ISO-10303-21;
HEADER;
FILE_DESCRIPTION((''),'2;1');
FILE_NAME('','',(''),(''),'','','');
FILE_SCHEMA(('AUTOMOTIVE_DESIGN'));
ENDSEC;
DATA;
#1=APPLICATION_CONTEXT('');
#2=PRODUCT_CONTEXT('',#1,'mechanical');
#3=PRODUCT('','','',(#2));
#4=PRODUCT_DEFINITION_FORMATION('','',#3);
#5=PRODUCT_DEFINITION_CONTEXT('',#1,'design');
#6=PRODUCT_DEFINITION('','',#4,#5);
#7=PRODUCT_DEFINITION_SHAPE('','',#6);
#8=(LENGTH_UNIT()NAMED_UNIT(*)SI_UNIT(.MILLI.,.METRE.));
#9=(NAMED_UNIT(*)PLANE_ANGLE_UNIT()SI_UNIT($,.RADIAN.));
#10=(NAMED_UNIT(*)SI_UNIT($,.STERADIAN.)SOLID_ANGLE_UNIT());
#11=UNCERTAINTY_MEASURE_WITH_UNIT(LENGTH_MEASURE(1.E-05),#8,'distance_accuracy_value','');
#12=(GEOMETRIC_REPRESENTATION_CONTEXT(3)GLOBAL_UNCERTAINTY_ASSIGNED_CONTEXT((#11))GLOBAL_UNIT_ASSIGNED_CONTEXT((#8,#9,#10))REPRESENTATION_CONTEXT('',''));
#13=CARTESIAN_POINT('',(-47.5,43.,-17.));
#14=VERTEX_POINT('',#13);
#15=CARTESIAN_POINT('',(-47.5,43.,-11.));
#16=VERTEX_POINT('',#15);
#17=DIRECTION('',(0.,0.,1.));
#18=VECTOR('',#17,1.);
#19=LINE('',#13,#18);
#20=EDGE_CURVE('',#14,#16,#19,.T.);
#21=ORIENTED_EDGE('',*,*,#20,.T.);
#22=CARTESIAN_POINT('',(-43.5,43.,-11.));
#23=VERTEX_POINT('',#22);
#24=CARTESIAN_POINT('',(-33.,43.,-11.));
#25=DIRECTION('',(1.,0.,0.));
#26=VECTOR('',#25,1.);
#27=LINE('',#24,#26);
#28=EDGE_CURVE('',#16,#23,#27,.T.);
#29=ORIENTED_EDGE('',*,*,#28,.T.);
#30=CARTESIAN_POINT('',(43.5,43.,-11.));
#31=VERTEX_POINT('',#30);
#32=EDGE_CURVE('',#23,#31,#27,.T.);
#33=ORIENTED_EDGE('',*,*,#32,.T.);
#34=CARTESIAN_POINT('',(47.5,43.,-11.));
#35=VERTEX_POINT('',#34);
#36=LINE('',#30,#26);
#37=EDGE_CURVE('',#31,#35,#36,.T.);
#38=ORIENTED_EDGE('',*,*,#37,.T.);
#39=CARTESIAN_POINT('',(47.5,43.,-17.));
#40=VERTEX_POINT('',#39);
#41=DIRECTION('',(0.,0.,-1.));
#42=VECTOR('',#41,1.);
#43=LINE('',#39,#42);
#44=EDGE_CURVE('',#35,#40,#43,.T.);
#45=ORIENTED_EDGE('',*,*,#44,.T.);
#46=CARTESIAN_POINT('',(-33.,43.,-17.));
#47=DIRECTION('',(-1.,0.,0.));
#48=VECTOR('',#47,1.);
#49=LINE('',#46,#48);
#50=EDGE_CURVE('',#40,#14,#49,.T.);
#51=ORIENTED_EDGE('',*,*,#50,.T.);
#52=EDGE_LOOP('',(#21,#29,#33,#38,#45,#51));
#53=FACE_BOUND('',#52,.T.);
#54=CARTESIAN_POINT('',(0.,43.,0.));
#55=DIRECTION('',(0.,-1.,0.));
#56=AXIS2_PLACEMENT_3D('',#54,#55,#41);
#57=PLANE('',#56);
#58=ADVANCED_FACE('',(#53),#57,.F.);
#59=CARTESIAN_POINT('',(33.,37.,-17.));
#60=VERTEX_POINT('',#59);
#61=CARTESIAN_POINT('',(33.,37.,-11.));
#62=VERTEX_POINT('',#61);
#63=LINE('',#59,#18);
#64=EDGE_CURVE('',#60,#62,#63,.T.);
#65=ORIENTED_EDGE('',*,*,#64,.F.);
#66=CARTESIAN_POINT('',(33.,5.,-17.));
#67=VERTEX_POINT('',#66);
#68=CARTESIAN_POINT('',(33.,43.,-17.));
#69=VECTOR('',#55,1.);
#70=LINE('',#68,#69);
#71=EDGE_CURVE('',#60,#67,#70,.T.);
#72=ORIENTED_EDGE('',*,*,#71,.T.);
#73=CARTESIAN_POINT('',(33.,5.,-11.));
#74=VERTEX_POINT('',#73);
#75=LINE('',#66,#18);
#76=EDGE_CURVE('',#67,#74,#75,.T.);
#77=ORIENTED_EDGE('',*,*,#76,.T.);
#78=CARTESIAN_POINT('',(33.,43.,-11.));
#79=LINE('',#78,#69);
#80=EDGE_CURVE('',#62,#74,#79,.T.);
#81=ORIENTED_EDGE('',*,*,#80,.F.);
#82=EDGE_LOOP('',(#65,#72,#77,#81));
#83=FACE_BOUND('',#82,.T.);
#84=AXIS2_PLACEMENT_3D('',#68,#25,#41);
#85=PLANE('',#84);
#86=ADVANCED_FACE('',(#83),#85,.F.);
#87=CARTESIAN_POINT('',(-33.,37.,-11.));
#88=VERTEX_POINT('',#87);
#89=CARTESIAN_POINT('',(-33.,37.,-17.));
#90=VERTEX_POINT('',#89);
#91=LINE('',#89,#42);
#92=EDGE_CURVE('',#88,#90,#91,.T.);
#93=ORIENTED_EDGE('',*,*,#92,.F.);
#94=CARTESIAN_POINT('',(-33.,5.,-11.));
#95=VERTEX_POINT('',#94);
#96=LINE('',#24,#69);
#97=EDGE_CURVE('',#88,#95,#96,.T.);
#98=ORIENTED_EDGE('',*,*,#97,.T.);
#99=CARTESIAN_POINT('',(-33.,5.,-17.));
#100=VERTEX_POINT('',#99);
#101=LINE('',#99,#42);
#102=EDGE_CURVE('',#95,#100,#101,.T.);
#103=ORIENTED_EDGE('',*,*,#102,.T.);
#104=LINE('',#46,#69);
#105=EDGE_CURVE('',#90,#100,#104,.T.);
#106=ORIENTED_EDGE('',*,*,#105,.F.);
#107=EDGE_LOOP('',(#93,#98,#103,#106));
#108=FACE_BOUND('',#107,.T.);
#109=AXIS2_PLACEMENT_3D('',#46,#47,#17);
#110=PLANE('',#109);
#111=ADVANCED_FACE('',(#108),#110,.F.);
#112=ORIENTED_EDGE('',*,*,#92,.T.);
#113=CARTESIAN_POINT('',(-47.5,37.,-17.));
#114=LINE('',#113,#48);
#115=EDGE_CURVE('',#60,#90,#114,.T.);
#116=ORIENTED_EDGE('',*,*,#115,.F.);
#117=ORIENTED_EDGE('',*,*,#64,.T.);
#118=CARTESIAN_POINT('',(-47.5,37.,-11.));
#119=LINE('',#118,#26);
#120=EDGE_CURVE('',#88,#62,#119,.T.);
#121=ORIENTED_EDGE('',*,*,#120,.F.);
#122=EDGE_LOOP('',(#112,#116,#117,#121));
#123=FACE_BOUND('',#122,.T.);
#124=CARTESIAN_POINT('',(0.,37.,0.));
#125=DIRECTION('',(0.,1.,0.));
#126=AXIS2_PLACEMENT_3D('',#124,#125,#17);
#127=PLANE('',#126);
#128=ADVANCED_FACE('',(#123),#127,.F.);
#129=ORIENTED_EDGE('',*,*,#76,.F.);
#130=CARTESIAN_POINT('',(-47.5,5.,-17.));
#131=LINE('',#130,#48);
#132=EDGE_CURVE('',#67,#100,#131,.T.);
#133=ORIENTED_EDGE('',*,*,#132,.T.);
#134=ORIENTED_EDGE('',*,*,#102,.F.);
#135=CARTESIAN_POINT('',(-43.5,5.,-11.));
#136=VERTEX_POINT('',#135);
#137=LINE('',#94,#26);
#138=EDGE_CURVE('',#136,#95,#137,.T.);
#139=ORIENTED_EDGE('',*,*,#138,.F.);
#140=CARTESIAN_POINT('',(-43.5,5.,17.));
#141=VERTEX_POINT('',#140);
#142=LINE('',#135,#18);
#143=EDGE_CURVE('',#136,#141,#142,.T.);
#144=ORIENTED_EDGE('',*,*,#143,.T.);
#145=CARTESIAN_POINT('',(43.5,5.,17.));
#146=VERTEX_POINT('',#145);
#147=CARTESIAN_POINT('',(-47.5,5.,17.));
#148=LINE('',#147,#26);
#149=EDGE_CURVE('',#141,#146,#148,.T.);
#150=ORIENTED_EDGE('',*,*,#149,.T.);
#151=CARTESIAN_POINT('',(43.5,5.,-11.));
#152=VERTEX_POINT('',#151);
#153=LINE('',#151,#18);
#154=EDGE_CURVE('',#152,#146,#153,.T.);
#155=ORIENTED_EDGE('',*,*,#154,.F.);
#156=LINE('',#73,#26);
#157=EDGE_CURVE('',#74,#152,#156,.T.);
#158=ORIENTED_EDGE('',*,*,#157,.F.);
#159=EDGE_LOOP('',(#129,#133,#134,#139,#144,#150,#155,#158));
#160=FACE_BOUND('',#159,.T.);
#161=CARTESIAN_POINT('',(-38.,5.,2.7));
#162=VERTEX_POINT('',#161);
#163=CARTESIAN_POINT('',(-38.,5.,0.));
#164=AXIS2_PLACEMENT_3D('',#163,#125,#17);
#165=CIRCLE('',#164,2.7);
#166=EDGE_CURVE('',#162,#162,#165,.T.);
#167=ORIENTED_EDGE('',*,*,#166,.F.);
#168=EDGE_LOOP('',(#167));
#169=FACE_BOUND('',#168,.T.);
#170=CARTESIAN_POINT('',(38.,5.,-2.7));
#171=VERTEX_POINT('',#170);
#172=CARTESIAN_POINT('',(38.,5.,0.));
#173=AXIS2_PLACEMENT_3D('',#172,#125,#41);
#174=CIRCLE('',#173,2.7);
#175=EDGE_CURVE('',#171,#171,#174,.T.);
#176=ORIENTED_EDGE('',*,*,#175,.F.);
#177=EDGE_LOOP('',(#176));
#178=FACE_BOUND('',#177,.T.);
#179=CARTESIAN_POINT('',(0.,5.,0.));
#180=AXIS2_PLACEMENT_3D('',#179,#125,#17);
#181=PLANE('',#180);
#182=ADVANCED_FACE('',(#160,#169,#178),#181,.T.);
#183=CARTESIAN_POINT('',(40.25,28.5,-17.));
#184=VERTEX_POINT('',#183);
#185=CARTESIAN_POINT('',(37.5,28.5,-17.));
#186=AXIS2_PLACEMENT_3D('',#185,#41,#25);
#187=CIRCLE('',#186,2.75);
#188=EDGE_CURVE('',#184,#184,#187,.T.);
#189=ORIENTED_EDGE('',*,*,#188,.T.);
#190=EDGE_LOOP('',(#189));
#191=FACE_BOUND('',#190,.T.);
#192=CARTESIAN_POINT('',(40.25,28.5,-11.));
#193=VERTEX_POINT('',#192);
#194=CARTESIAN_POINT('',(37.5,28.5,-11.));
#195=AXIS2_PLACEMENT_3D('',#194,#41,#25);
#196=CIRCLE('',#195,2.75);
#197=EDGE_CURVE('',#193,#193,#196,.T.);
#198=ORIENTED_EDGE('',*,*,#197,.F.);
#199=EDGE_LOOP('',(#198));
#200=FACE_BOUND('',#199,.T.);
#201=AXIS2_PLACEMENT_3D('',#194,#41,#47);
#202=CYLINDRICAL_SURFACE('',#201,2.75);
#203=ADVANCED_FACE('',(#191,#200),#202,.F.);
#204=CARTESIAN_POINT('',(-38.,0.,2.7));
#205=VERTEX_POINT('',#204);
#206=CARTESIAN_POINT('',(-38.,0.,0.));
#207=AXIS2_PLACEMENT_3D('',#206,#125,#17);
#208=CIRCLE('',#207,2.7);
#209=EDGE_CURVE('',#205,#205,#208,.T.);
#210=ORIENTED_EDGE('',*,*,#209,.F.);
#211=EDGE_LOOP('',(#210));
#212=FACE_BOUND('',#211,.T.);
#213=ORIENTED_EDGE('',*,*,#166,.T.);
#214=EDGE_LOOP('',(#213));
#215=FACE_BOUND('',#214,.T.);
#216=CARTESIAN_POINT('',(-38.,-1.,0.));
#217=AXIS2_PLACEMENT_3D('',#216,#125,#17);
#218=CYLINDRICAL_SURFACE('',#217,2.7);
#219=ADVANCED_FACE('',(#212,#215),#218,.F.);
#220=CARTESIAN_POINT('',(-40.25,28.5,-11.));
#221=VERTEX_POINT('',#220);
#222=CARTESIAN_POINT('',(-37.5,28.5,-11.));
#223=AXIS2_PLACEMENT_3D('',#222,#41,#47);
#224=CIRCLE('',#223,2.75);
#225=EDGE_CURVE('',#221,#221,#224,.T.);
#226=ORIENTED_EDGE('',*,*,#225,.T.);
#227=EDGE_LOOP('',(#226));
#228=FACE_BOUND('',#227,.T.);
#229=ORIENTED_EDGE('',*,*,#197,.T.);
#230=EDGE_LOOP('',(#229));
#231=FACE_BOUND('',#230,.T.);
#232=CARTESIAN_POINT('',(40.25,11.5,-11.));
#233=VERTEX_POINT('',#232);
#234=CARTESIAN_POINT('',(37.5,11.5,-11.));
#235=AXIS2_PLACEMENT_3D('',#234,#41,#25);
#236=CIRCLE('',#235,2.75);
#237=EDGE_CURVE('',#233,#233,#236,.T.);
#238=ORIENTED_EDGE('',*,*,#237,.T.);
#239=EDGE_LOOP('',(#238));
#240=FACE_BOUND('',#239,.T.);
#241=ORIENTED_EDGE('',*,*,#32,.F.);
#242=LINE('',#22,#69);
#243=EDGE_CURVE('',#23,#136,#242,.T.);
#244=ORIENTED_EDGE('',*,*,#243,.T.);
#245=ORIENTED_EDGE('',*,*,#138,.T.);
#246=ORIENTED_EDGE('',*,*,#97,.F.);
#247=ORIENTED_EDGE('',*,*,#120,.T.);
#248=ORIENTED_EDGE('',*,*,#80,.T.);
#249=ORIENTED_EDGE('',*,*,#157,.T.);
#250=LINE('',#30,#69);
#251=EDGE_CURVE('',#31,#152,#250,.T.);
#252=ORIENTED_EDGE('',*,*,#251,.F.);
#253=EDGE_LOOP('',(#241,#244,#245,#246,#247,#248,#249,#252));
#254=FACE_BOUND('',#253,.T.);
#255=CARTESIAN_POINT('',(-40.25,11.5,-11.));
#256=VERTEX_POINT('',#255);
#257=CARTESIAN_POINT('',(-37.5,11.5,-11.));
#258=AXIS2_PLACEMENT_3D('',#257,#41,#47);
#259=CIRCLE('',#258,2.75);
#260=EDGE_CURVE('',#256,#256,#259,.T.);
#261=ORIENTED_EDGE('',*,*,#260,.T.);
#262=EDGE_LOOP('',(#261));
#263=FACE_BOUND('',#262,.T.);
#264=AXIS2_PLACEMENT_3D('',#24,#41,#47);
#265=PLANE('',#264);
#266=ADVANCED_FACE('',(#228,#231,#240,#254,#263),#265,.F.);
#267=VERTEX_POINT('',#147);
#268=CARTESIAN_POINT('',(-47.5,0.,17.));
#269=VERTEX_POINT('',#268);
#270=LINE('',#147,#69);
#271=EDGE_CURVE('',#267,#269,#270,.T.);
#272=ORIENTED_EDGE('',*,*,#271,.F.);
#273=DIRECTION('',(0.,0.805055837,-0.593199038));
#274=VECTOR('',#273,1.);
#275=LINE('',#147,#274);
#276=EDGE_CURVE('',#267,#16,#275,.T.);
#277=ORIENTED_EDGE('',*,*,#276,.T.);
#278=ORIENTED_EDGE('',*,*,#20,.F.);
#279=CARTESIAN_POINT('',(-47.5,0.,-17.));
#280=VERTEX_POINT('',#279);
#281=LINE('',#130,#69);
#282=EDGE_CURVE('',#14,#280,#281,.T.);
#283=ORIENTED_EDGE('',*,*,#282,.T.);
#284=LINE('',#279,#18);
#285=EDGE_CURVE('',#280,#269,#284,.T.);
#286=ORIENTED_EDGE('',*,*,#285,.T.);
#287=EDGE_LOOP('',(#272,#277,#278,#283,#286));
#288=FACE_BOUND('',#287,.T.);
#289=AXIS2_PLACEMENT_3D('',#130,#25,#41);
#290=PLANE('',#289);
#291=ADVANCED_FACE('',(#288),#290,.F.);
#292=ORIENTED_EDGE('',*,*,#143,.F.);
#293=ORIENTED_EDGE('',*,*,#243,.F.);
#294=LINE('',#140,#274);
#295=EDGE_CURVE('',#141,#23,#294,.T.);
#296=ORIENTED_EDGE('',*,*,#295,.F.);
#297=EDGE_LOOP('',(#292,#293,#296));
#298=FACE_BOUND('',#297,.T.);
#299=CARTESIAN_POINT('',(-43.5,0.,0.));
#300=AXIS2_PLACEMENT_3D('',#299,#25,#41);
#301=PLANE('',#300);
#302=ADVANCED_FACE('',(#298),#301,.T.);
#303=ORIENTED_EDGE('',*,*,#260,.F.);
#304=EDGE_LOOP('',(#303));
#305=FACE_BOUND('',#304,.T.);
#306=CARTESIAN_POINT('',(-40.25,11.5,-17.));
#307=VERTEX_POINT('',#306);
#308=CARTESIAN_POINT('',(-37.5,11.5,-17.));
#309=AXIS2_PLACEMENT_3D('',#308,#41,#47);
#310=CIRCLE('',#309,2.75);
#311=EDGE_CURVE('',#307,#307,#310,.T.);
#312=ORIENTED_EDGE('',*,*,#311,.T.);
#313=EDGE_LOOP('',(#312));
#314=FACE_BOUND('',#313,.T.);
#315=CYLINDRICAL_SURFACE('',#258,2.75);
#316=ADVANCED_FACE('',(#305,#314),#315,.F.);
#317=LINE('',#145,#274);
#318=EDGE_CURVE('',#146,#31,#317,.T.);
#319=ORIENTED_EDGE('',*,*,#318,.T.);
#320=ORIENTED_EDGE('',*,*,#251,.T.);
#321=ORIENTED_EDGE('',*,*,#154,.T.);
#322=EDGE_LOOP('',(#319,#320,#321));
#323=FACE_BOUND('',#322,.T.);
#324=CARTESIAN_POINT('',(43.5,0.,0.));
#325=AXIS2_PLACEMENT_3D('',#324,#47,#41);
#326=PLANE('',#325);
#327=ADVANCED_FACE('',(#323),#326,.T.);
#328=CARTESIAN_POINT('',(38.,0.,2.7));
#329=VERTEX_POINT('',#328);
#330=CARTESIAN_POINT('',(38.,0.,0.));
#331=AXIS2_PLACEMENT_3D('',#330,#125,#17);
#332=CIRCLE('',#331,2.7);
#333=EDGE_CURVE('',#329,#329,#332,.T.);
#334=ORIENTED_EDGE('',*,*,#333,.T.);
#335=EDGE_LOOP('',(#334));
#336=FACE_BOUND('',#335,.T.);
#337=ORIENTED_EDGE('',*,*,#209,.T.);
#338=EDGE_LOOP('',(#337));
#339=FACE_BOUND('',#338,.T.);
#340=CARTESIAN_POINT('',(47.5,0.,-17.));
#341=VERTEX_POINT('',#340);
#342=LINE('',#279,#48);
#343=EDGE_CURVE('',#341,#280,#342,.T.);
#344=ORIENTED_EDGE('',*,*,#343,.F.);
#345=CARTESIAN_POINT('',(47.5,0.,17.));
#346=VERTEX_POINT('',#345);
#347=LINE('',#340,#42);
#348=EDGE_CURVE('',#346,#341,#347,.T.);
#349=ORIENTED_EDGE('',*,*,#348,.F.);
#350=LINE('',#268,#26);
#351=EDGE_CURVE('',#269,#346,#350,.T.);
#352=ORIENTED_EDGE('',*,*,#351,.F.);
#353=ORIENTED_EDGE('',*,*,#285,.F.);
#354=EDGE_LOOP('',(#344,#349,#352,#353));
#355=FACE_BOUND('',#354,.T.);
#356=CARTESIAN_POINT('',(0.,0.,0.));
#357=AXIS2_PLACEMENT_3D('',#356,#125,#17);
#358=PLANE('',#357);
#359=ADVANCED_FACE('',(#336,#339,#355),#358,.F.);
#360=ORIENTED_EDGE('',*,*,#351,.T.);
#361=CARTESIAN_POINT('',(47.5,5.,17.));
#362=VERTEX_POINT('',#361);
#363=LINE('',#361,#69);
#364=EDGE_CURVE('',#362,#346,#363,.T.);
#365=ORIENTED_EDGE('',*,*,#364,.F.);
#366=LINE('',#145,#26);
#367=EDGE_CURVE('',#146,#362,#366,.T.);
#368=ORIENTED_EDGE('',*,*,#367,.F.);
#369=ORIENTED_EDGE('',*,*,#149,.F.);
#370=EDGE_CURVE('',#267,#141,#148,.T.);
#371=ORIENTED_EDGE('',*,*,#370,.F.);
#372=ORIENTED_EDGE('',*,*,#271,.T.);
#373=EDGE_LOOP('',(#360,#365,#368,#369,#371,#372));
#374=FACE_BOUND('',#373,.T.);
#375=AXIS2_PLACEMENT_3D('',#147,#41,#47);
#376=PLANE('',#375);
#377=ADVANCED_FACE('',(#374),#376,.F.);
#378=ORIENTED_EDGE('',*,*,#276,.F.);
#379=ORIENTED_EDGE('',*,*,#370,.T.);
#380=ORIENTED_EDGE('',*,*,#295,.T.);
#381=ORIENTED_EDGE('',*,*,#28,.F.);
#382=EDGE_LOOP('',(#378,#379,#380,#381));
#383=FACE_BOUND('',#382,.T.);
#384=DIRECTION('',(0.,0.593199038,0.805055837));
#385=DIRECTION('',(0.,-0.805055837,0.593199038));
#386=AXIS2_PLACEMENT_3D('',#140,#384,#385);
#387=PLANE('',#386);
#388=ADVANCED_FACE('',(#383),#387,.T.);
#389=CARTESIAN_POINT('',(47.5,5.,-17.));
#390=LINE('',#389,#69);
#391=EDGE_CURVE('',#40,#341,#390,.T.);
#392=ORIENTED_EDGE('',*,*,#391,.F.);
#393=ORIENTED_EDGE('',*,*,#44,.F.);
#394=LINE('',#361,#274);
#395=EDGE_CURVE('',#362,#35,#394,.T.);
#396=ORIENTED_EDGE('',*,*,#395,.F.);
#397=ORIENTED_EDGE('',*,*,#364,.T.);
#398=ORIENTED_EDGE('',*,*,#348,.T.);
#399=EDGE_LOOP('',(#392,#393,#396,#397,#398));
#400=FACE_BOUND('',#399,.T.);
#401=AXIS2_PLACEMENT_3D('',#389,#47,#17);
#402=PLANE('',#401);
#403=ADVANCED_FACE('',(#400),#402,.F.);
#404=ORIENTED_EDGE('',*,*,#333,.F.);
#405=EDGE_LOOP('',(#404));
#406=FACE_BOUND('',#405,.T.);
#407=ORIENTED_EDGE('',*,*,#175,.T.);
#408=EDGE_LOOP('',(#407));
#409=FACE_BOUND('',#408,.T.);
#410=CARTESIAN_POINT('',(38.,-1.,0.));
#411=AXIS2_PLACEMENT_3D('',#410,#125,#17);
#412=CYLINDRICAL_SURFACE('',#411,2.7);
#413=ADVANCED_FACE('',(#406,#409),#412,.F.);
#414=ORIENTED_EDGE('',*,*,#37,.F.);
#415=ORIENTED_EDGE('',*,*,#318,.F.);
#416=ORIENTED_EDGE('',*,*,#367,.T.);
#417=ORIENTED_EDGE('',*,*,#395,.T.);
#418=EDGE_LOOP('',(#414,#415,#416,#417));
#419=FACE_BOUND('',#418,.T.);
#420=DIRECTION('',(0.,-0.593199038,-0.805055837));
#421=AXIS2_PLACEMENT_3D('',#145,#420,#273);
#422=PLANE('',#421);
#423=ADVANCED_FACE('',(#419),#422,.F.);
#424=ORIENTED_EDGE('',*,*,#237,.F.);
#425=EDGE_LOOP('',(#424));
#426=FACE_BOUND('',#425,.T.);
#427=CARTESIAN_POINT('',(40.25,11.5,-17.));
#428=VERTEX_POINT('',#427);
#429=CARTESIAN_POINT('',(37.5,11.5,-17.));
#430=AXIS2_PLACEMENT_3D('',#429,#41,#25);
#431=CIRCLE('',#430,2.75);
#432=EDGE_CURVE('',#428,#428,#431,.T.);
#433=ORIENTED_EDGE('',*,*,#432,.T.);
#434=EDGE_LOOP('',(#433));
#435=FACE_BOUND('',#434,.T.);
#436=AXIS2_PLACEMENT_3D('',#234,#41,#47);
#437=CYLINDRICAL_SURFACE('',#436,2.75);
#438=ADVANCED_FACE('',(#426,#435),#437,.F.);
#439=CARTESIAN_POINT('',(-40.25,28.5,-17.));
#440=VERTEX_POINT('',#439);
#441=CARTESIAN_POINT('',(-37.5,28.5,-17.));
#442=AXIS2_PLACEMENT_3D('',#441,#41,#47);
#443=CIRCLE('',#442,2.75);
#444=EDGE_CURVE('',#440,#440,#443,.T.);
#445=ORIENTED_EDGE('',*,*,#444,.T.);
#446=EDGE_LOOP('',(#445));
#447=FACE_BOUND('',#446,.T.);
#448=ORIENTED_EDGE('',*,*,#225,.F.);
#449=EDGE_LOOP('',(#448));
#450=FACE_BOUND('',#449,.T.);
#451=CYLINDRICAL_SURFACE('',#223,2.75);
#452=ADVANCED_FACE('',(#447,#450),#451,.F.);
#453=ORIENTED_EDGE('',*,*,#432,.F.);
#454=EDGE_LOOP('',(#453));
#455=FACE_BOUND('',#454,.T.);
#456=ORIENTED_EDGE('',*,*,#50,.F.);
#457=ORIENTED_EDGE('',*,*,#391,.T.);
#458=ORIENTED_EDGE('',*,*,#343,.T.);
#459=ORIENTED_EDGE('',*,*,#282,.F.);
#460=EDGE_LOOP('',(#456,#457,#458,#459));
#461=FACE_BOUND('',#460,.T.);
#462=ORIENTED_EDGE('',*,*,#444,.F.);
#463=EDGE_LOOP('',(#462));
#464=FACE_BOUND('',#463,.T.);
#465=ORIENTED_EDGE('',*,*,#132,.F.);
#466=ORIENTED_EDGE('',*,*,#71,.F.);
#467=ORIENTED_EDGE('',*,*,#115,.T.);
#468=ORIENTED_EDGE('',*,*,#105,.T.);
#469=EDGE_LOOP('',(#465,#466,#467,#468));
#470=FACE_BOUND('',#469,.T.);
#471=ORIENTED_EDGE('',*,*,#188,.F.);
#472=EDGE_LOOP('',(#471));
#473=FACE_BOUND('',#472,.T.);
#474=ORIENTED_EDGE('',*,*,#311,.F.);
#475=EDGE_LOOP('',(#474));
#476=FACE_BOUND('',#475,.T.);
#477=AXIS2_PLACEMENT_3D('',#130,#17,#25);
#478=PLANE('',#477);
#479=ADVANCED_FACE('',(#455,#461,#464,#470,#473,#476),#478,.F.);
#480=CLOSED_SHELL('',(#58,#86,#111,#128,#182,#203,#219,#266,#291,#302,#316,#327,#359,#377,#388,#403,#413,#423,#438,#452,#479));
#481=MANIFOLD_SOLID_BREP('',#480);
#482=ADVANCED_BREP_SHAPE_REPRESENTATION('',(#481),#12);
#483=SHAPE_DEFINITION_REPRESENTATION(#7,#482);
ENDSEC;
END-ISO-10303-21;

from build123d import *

# Parameters (mm, degrees)
SKETCH1_W           = 95
SKETCH1_H           = 34
BOSS_EXTRUDE1_DEPTH = 5
SKETCH2_W           = 14.5
SKETCH2_H           = 6
BOSS_EXTRUDE2_DEPTH = 38
SKETCH3_W           = 95
SKETCH3_H           = 6
BOSS_EXTRUDE3_DEPTH = 6
SKETCH4_R           = 2.75
CUT_EXTRUDE1_DEPTH  = 6
SKETCH6_R           = 2.7
CUT_EXTRUDE2_DEPTH  = 6
BOSS_EXTRUDE4_DEPTH = 4


with BuildPart() as part:
    # Sketch1 → Boss-Extrude1 (new body)
    with BuildSketch(Plane(origin=(0, 0, 0), x_dir=(1, 0, 0), z_dir=(0, 1, 0))):
        Rectangle(SKETCH1_W, SKETCH1_H)
    extrude(amount=BOSS_EXTRUDE1_DEPTH)

    # Sketch2 → Boss-Extrude2 (add)
    with BuildSketch(Plane(origin=(0, 5, 0), x_dir=(1, 0, 0), z_dir=(0, 1, 0))):
        with Locations((-40.25, 14)):
            Rectangle(SKETCH2_W, SKETCH2_H)
        with Locations((40.25, 14)):
            Rectangle(SKETCH2_W, SKETCH2_H)
    extrude(amount=BOSS_EXTRUDE2_DEPTH)

    # Sketch3 → Boss-Extrude3 (add)
    with BuildSketch(Plane(origin=(0, 43, 0), x_dir=(1, 0, 0), z_dir=(0, 1, 0))):
        with Locations((0, 14)):
            Rectangle(SKETCH3_W, SKETCH3_H)
    extrude(amount=-BOSS_EXTRUDE3_DEPTH)

    # Sketch4 → Cut-Extrude1 (cut)
    with BuildSketch(Plane(origin=(0, 0, -17), x_dir=(-1, 0, 0), z_dir=(0, 0, -1))):
        with Locations((37.5, 11.5)):
            Circle(SKETCH4_R)
        with Locations((37.5, 28.5)):
            Circle(SKETCH4_R)
        with Locations(Location((-37.5, 28.5, 0), (0, 0, 180))):
            Circle(SKETCH4_R)
        with Locations(Location((-37.5, 11.5, 0), (0, 0, 180))):
            Circle(SKETCH4_R)
    extrude(amount=-CUT_EXTRUDE1_DEPTH, mode=Mode.SUBTRACT)

    # Sketch6 → Cut-Extrude2 (cut)
    with BuildSketch(Plane(origin=(0, 5, 0), x_dir=(1, 0, 0), z_dir=(0, 1, 0))):
        with Locations(Location((-38, 0, 0), (0, 0, 270))):
            Circle(SKETCH6_R)
        with Locations(Location((38, 0, 0), (0, 0, 270))):
            Circle(SKETCH6_R)
    extrude(amount=-CUT_EXTRUDE2_DEPTH, mode=Mode.SUBTRACT)

    # Sketch7 → Boss-Extrude4 (add)
    with BuildSketch(Plane.ZY.offset(47.5)):
        Polygon((17, 5), (-11, 43), (-11, 5), align=None)
    boss_extrude4 = extrude(amount=-BOSS_EXTRUDE4_DEPTH)

    # Mirror1: Boss-Extrude4 across plane
    add(boss_extrude4.mirror(Plane(origin=(0, 0, 0), x_dir=(0, 0, 1), z_dir=(1, 0, 0))))


solid = part.part
